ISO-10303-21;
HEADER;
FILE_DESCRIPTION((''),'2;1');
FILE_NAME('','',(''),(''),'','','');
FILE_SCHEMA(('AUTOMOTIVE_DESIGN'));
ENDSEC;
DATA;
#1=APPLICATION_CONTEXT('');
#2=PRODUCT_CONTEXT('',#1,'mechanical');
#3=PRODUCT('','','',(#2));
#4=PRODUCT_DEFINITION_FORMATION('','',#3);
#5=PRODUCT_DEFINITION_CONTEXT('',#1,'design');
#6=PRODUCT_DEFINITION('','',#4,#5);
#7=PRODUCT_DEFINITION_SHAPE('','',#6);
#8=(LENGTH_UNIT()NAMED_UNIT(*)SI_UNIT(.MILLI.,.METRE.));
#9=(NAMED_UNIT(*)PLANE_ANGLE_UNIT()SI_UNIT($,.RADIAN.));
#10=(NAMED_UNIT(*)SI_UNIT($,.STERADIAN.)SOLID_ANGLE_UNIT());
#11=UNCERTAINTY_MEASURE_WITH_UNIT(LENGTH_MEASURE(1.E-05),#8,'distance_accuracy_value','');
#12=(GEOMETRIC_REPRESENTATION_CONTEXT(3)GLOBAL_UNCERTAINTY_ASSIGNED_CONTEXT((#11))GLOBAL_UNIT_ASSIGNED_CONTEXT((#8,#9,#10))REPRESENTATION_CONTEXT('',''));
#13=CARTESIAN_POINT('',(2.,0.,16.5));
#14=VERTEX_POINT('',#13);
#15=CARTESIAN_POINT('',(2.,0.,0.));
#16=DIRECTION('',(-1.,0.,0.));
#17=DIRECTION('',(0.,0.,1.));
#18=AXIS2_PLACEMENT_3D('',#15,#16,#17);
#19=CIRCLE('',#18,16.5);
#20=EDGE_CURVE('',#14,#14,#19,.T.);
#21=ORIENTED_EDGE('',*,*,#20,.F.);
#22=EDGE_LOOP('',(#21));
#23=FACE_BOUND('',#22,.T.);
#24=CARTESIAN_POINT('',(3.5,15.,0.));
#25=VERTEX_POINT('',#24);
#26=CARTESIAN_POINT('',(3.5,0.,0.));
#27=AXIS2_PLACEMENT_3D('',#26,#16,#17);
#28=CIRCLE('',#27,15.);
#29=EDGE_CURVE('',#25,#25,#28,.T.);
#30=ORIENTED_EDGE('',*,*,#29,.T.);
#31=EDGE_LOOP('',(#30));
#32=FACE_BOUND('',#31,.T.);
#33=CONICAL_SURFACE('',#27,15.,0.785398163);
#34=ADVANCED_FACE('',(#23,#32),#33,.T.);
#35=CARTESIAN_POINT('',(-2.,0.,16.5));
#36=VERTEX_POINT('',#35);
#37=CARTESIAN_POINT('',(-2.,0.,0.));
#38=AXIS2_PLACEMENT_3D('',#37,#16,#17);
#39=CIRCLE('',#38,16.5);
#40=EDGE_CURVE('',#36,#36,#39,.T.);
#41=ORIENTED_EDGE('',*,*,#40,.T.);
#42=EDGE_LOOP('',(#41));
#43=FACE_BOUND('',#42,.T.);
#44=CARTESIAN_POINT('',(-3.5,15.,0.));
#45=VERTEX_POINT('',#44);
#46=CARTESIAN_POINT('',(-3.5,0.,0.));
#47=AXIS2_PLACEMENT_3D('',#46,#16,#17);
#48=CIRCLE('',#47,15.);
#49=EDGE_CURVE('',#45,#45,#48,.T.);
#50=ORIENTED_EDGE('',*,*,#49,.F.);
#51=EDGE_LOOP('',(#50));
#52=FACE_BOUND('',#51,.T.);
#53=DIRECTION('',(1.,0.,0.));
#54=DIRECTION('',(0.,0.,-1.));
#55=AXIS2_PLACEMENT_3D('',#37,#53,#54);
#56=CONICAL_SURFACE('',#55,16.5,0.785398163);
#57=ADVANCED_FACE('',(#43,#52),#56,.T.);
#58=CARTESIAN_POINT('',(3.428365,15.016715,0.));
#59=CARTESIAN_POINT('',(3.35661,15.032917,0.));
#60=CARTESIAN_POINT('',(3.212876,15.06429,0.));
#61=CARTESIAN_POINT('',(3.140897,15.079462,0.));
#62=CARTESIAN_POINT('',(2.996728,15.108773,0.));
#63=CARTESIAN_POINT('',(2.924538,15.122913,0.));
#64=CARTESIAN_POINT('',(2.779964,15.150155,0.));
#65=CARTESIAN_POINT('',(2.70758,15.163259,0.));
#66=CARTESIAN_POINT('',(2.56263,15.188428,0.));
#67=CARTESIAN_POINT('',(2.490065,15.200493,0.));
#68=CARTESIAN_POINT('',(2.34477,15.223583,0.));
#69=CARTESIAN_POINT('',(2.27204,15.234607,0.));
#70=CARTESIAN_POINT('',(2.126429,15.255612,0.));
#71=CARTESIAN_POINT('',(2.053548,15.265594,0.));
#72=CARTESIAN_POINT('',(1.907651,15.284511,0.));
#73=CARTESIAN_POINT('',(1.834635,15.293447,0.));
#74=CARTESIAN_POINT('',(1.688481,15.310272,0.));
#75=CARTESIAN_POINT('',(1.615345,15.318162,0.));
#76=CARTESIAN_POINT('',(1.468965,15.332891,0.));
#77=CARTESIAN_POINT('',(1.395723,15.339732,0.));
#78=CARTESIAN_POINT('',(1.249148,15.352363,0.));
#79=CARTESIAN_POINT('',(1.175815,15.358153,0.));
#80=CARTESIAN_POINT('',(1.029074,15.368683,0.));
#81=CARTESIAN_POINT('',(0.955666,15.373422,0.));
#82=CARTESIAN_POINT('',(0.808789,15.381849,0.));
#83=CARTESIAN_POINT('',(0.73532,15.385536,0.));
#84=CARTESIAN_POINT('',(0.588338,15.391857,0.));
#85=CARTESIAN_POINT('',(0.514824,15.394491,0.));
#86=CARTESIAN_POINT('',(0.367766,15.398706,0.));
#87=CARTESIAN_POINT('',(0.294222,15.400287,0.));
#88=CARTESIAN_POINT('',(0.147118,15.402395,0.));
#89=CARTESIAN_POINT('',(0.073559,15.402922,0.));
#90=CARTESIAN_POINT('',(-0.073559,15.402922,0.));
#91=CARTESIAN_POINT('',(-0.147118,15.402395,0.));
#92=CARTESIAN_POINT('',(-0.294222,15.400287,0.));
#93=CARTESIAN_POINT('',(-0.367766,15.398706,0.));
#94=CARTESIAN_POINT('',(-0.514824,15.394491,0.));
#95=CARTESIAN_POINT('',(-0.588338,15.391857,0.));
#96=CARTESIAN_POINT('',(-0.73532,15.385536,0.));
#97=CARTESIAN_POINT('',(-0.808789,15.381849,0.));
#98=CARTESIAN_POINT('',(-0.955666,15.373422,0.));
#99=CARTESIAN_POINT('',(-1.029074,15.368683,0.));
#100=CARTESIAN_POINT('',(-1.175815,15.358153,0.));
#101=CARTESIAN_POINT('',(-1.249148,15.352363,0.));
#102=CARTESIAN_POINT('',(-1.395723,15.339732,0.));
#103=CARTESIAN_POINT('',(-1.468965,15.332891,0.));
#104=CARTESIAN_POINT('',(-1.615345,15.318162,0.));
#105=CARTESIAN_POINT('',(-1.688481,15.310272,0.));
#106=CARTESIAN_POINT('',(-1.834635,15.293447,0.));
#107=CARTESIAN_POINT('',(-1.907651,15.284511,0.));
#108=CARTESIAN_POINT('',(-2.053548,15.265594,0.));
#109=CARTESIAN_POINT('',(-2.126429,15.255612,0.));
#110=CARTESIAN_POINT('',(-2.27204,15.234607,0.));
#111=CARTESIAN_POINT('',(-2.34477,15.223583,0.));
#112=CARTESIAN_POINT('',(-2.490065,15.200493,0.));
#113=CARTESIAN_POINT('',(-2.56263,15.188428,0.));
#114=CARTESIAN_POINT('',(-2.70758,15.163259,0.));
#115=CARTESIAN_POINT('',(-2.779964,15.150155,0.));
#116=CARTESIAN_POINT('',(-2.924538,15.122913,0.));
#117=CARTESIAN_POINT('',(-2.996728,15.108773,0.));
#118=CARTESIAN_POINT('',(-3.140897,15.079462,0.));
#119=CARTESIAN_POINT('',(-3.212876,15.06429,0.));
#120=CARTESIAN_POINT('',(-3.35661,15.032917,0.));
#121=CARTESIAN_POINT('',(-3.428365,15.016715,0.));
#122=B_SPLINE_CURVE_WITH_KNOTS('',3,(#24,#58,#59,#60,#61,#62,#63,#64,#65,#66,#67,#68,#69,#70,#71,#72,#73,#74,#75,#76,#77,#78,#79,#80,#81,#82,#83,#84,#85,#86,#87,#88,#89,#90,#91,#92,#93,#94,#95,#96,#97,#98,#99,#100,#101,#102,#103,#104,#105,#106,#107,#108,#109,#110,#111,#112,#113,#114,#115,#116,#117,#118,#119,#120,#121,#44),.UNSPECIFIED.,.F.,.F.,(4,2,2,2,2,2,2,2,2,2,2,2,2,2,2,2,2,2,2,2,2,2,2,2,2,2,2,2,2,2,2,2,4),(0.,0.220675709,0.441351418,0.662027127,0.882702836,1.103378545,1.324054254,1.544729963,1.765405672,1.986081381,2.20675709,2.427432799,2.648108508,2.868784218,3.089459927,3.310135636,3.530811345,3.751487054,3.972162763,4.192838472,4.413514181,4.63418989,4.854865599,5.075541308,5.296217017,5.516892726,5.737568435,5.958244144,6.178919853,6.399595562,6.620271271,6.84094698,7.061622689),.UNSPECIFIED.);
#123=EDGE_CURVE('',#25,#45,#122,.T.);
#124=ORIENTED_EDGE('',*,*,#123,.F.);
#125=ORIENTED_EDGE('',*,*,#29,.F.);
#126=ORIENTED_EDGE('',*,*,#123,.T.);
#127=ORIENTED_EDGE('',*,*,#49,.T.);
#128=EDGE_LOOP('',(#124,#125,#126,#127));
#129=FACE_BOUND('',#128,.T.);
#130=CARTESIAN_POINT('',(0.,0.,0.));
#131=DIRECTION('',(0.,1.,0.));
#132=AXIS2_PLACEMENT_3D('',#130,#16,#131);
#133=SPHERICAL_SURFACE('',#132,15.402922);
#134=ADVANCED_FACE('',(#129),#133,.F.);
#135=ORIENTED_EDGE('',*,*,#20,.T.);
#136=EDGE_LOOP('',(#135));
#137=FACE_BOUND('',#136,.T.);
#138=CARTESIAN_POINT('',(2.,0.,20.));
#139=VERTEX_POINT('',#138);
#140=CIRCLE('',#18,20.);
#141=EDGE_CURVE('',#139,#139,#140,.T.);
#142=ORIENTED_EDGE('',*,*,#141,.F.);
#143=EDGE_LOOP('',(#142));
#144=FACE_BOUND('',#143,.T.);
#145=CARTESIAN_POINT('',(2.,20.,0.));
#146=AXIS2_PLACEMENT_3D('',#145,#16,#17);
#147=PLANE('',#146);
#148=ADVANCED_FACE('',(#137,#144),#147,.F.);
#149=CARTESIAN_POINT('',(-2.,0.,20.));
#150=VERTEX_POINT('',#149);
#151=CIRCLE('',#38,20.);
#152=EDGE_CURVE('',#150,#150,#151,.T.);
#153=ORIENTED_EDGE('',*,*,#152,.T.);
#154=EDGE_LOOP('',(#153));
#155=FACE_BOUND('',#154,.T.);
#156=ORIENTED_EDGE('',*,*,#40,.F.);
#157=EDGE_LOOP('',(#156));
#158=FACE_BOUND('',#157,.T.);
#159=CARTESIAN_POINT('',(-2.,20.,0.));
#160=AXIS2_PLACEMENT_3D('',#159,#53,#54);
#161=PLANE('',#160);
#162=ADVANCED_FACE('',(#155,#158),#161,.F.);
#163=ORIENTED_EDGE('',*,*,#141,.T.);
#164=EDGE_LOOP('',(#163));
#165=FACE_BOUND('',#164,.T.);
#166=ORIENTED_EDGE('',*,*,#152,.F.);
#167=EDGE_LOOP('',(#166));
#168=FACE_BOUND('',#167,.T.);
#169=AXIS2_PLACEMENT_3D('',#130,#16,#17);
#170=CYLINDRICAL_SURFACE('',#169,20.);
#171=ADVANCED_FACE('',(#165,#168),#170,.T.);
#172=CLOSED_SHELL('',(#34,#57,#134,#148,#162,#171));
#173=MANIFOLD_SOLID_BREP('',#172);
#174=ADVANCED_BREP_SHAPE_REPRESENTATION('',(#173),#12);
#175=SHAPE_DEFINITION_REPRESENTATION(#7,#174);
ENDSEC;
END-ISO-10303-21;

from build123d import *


with BuildPart() as part:
    # Esquisse1 → Base-Révolution (revolve)
    with BuildSketch(Plane.XY, mode=Mode.PRIVATE) as base_r_volution_sk:
        with BuildLine():
            Line((-2, 20), (2, 20))
            Line((2, 20), (2, 16.5))
            Line((2, 16.5), (3.5, 15))
            ThreePointArc((3.5, 15), (0, 15.402921801), (-3.5, 15))
            Line((-3.5, 15), (-2, 16.5))
            Line((-2, 16.5), (-2, 20))
        make_face()
    revolve(base_r_volution_sk.sketch.rotate(Axis((0, 0, 0), (1, 0, 0)), 90), axis=Axis((0, 0, 0), (1, 0, 0)))


solid = part.part
